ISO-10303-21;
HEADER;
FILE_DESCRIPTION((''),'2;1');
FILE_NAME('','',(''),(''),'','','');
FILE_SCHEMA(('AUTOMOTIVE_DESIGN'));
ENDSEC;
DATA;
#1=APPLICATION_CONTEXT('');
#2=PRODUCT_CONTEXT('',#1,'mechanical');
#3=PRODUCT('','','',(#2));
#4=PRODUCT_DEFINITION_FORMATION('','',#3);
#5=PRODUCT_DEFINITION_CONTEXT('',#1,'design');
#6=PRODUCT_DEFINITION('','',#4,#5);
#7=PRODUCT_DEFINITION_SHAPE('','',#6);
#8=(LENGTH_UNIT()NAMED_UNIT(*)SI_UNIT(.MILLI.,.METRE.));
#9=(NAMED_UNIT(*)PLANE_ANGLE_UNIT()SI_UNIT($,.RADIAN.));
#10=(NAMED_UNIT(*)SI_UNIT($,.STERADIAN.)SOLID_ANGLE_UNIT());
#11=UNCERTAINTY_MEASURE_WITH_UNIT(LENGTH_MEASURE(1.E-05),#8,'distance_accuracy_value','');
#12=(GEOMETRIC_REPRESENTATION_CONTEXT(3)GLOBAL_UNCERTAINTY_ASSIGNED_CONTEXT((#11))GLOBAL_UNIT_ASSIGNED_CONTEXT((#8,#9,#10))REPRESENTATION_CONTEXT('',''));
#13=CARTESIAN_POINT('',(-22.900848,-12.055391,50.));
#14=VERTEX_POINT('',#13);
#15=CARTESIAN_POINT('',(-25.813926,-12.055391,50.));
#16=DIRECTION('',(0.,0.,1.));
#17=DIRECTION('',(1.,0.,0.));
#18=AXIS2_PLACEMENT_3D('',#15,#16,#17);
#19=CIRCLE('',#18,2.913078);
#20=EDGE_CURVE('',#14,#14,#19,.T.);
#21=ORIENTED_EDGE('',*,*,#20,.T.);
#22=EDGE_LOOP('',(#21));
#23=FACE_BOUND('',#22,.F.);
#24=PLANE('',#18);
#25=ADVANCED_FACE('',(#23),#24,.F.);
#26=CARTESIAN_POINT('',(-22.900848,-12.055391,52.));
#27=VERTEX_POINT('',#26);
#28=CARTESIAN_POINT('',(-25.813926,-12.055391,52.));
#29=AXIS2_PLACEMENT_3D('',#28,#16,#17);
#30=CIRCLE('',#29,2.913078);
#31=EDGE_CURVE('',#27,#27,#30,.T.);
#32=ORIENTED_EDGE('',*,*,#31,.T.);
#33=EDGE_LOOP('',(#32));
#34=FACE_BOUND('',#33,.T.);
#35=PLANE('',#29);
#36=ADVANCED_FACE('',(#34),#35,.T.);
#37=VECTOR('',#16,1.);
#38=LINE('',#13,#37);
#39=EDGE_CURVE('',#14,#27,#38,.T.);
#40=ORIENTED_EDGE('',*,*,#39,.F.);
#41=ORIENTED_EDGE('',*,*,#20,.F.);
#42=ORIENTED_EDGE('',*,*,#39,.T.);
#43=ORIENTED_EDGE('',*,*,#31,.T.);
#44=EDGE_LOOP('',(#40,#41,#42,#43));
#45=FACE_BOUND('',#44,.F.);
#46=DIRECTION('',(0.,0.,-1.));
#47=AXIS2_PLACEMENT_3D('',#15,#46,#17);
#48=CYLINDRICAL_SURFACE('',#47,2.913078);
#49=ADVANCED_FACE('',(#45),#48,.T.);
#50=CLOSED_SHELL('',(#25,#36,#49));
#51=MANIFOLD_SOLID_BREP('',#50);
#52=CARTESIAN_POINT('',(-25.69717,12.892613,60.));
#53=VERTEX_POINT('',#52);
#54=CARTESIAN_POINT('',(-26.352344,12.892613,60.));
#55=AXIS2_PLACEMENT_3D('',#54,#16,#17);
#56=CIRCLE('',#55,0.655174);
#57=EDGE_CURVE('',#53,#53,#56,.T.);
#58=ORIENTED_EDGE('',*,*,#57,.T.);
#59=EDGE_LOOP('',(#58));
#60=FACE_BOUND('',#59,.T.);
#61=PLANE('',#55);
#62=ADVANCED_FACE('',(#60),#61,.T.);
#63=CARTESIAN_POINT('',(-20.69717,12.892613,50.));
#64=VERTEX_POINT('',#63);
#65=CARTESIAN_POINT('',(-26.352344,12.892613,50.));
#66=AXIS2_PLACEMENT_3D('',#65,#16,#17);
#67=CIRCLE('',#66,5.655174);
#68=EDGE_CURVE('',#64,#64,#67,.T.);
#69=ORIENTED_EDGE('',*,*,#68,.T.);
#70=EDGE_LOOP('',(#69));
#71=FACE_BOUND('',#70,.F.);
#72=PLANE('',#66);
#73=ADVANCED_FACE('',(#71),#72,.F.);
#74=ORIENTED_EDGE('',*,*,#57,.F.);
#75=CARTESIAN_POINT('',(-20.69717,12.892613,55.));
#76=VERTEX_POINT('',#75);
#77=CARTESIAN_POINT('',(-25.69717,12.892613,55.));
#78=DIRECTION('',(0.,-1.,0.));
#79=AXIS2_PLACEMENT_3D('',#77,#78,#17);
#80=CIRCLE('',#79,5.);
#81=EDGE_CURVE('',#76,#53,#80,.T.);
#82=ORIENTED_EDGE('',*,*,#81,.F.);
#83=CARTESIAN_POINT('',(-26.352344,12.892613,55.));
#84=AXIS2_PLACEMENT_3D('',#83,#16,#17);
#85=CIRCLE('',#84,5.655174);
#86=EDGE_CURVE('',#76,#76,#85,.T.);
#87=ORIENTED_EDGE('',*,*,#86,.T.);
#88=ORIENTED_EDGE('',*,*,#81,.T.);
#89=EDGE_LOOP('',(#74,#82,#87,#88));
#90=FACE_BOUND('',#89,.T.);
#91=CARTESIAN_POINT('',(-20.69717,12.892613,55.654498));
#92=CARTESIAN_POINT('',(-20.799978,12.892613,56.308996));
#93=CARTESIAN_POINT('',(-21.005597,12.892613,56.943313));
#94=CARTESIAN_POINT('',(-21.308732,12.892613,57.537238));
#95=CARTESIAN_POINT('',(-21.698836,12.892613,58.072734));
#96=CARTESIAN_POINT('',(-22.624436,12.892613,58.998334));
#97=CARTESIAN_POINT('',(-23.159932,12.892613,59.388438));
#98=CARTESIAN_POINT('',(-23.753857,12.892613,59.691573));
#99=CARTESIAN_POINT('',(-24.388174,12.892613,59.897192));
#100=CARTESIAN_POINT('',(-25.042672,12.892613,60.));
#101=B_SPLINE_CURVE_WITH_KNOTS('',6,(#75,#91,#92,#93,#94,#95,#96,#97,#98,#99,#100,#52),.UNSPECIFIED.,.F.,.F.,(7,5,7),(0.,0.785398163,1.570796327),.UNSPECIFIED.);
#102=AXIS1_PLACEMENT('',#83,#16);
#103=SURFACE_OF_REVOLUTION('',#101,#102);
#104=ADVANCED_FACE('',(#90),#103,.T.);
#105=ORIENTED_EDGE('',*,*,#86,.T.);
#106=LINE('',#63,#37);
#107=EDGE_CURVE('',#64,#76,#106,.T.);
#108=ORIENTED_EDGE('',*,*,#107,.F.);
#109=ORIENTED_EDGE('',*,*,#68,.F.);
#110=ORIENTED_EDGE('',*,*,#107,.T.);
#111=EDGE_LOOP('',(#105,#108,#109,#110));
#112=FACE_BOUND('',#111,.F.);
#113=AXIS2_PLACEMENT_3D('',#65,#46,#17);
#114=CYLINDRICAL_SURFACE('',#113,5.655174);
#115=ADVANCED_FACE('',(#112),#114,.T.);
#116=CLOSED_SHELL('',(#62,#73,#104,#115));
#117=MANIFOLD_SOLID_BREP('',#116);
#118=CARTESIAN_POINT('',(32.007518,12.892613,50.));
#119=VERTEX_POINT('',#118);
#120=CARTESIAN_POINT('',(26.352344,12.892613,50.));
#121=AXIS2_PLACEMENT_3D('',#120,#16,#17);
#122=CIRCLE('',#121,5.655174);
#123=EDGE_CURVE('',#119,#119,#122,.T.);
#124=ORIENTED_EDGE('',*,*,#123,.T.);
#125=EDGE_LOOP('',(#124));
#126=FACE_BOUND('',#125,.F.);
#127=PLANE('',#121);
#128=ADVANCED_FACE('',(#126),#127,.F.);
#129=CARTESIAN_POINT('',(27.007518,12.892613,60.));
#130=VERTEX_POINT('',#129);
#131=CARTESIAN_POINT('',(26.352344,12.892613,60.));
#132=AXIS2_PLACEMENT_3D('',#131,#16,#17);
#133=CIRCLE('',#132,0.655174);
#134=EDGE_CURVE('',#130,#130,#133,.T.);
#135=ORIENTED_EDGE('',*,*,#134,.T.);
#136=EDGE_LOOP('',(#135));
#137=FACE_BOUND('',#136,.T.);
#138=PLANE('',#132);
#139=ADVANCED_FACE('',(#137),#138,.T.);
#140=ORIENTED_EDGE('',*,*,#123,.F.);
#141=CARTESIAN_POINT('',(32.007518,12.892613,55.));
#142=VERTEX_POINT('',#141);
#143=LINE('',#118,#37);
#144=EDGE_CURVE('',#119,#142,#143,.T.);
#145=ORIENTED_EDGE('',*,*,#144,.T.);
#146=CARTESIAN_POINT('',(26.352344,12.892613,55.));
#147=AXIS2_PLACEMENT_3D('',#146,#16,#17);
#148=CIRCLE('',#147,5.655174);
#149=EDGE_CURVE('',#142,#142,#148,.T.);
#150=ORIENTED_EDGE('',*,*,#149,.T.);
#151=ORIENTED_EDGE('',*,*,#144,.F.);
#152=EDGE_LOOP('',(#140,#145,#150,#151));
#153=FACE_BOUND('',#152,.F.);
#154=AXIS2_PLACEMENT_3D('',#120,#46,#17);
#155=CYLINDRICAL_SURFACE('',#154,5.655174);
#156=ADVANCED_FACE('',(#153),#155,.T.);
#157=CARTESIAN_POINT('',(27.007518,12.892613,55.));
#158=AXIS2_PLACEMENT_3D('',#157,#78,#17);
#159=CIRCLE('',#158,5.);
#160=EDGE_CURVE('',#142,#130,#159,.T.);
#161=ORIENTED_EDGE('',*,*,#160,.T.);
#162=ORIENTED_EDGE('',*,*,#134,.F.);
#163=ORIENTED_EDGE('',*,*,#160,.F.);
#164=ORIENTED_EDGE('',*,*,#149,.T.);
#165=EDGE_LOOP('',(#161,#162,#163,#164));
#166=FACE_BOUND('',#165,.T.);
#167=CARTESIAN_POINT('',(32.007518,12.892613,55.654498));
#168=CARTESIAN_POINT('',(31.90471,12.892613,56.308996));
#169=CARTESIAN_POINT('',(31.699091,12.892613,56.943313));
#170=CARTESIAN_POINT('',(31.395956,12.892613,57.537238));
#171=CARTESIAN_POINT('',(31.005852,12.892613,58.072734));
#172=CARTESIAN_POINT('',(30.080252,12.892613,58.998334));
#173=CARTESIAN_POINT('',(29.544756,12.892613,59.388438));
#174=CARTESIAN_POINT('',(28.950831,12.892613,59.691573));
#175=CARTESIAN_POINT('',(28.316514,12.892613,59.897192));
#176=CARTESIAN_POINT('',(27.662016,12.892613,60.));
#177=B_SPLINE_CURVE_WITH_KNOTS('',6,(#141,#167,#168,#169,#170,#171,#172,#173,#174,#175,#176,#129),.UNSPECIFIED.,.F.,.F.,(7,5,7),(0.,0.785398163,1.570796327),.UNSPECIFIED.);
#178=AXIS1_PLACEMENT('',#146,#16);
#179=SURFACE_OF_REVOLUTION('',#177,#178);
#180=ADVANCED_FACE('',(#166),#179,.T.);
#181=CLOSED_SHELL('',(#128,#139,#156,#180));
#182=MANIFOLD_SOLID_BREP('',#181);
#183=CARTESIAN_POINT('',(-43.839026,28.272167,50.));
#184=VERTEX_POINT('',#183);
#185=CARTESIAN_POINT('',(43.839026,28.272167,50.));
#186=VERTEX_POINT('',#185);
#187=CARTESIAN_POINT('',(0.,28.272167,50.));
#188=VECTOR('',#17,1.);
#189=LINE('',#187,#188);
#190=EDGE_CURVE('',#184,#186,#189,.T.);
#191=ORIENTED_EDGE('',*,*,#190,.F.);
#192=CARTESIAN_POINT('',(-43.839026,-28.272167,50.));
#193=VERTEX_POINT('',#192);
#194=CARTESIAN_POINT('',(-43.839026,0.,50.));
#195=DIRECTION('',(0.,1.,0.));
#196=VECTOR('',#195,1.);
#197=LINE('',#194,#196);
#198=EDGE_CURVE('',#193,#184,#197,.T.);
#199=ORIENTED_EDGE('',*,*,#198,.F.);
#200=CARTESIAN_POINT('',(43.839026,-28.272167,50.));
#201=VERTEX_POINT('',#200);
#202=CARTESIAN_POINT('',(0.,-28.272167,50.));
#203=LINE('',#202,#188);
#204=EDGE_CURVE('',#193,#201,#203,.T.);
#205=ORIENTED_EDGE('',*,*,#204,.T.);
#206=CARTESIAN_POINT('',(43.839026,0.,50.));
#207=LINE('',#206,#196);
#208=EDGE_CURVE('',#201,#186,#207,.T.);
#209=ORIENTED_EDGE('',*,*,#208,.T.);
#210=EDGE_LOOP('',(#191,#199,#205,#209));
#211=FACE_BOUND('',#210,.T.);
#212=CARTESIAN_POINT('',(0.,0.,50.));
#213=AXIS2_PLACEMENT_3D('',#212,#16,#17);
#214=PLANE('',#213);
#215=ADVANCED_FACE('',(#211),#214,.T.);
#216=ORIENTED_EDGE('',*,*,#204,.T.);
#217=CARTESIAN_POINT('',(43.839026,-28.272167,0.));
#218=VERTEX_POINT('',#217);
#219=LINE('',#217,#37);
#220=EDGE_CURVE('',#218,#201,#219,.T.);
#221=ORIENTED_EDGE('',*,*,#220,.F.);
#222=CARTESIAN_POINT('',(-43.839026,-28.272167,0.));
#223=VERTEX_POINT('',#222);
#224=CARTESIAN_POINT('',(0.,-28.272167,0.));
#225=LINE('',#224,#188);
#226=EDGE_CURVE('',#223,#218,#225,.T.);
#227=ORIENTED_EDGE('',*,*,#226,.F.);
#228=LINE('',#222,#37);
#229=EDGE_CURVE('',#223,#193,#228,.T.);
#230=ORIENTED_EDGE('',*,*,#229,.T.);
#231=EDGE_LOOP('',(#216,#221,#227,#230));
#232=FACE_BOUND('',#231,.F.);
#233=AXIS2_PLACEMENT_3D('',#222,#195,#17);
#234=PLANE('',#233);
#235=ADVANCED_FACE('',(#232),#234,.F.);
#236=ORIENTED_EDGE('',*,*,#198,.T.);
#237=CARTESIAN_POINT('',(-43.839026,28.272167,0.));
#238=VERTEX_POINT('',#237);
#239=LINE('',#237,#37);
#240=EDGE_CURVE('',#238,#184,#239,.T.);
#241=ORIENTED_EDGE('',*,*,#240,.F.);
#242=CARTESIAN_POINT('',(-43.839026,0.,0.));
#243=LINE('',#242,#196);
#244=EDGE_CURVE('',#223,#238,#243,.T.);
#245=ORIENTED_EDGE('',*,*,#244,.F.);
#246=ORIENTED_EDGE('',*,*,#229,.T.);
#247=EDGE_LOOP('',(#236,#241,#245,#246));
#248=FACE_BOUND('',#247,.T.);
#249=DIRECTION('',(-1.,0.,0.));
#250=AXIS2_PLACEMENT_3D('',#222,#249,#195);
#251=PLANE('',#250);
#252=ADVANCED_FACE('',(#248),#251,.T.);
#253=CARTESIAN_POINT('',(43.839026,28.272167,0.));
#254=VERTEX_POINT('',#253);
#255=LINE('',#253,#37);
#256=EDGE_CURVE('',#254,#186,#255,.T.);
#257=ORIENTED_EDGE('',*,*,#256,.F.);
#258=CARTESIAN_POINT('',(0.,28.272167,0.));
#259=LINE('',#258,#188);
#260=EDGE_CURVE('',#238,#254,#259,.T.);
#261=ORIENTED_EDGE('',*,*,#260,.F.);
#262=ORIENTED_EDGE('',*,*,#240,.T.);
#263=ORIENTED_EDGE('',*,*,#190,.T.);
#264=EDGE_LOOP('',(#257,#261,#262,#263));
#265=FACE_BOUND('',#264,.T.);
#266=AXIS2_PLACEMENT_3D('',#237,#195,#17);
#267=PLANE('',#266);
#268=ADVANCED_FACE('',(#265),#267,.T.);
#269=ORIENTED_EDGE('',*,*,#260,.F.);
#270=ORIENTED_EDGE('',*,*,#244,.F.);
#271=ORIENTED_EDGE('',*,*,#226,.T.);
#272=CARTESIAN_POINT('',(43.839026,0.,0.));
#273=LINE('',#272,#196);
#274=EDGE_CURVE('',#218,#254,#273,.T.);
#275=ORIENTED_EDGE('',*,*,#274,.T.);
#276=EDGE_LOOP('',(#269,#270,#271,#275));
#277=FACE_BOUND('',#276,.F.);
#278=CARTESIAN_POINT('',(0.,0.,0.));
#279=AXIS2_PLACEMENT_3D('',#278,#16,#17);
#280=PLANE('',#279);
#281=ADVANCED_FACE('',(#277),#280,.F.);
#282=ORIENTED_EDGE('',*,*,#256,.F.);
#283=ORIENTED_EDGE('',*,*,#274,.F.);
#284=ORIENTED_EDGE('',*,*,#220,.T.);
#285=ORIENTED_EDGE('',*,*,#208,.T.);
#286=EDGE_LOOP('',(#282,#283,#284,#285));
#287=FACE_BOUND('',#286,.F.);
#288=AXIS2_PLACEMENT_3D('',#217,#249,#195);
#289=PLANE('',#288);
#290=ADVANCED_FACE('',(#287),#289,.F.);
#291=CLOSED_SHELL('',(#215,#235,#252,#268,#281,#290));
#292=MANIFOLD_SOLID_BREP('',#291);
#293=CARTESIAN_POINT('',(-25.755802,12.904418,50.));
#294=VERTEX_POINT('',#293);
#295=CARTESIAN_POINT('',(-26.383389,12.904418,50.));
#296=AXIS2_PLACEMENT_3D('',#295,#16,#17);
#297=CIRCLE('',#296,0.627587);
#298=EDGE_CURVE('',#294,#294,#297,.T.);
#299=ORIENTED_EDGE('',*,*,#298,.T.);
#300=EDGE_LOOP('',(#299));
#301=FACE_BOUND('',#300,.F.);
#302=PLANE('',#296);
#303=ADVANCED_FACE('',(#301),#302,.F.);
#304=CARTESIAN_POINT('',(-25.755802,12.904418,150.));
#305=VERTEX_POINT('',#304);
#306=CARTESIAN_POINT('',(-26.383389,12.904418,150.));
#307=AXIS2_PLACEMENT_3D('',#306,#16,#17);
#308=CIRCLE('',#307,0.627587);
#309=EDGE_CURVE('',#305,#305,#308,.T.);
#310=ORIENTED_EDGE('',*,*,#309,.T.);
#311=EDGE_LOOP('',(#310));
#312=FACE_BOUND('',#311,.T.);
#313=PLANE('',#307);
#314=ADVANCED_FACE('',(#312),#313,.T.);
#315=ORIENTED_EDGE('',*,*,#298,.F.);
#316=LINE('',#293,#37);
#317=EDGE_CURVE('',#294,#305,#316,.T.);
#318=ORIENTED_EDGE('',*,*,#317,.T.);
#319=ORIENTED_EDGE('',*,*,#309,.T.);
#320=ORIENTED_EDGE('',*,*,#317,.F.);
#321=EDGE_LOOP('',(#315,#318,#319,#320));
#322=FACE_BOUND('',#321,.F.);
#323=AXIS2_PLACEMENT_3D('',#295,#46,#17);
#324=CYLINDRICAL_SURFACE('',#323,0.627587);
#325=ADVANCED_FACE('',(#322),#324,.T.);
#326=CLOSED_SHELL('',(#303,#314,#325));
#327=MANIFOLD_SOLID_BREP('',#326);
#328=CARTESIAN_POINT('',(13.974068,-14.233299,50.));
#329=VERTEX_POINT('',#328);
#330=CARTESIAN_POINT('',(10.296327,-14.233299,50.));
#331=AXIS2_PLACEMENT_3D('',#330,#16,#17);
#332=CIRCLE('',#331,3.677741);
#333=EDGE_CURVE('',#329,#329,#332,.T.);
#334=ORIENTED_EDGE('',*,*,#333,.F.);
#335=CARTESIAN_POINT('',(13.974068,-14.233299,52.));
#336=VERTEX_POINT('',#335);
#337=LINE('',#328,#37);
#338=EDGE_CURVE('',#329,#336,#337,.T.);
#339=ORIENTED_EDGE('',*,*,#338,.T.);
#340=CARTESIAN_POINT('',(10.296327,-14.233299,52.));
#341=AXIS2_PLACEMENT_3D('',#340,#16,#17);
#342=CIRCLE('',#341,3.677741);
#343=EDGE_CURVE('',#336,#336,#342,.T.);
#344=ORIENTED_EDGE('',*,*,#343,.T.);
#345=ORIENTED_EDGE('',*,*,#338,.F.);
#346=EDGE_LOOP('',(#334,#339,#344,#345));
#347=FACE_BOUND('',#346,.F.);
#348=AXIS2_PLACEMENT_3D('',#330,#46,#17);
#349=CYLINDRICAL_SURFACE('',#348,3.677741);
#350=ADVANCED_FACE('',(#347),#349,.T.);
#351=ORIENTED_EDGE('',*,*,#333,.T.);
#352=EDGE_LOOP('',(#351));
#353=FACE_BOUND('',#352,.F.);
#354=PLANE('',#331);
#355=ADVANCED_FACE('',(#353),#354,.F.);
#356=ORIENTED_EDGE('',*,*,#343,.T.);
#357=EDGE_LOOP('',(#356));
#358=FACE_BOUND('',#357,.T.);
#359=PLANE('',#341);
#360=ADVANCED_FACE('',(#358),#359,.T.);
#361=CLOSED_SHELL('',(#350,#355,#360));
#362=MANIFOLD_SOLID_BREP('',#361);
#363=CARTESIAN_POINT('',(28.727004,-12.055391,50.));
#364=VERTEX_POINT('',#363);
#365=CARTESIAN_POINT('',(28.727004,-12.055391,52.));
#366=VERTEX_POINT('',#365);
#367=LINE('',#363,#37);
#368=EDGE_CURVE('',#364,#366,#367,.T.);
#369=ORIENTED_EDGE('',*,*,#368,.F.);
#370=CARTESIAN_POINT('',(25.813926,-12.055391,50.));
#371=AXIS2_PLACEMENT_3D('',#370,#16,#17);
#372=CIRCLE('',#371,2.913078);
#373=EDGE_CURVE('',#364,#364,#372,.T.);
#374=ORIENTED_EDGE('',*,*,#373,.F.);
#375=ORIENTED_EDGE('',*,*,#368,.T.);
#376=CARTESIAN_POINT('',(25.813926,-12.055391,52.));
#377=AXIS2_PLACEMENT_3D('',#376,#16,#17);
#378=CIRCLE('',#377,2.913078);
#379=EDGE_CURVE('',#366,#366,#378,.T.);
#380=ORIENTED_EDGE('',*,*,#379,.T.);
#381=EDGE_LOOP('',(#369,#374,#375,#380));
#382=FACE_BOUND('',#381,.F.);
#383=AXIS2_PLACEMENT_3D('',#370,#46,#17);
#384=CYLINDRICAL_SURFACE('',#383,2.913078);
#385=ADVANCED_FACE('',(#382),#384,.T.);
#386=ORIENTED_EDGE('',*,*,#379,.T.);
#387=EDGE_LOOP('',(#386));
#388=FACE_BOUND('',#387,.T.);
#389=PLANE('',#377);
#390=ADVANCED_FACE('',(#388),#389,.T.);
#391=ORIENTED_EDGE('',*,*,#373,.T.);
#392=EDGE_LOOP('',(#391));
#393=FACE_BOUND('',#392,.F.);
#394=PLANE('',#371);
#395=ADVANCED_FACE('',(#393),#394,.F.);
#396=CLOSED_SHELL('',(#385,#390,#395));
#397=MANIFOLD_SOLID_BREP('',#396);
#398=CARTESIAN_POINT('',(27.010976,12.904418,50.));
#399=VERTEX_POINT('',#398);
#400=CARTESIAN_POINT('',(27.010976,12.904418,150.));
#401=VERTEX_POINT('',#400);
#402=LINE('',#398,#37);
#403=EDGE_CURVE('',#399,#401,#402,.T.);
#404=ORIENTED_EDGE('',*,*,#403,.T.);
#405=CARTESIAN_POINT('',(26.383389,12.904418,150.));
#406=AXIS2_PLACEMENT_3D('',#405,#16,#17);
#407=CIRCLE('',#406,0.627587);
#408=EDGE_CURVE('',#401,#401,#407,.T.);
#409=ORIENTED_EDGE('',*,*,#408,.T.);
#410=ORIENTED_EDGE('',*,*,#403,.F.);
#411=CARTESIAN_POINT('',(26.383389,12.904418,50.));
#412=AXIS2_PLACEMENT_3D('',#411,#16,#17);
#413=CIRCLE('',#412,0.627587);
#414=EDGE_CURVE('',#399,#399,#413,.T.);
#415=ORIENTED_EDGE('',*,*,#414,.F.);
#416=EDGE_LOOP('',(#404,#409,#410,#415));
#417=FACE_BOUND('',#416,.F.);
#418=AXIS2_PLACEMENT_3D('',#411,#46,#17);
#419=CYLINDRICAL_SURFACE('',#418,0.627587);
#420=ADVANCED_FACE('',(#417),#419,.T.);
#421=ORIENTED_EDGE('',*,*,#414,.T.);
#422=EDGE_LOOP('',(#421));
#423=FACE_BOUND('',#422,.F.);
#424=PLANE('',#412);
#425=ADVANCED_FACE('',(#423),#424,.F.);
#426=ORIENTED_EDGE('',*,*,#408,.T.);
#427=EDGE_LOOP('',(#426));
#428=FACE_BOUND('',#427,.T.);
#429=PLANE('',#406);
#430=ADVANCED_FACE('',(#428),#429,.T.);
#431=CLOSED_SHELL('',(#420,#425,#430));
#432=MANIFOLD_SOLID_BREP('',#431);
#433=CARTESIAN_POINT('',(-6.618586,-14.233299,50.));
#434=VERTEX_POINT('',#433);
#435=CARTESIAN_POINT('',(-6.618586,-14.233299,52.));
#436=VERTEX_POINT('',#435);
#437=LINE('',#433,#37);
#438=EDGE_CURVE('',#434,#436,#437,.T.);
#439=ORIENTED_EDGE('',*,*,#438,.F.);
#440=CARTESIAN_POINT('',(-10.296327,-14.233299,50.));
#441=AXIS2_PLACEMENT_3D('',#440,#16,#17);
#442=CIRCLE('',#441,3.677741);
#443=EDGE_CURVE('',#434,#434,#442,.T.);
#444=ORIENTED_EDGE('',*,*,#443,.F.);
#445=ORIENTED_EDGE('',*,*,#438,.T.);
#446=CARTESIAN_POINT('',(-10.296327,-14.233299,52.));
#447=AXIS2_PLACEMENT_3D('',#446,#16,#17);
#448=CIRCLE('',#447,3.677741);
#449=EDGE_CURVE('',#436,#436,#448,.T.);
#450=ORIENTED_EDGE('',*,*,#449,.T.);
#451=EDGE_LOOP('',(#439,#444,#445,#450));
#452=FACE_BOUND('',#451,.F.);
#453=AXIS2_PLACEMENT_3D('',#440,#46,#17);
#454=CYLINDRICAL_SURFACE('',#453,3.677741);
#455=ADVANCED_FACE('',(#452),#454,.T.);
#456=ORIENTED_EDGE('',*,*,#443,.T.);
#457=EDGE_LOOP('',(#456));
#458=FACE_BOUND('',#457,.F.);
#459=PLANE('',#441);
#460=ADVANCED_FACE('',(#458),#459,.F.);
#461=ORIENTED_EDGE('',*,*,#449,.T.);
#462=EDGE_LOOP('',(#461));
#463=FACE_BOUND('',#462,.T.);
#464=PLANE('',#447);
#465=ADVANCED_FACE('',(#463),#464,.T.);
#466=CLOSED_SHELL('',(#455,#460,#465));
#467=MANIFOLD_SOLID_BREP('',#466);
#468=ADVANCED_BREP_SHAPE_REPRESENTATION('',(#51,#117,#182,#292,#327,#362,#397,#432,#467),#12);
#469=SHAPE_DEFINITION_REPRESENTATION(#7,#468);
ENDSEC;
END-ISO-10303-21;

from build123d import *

# Parameters (mm, degrees)
F0_W     = 87.678052
F0_H     = 56.544334
F1_DEPTH = 50
F2_R     = 5.655174
F3_DEPTH = 10
F4_R     = 2.913078
F4_R_2   = 3.677741
F5_DEPTH = 2
F6_R     = 5
F7_R     = 0.627587
F8_DEPTH = 100


with BuildPart() as f1:
    # F0 (on Top) → F1 (new body)
    with BuildSketch(Plane.XY):
        Rectangle(F0_W, F0_H)
    extrude(amount=F1_DEPTH)


with BuildPart() as f3:
    # F2 (on face) → F3 (new body)
    with BuildSketch(Plane.XY.offset(50)):
        with Locations((-26.352344, 12.892613)):
            Circle(F2_R)
        with Locations((26.352344, 12.892613)):
            Circle(F2_R)
    extrude(amount=F3_DEPTH)

    # F6
    f6_edges = [f3.edges().sort_by_distance(p)[0] for p in [
        (20.69717, 12.892613, 60),
        (-32.007518, 12.892613, 60),
    ]]
    fillet(f6_edges, radius=F6_R)


with BuildPart() as f5:
    # F4 (on face) → F5 (new body)
    with BuildSketch(Plane.XY.offset(50)):
        with Locations((-25.813926, -12.055391)):
            Circle(F4_R)
        with Locations((-10.296327, -14.233299)):
            Circle(F4_R_2)
        with Locations((10.296327, -14.233299)):
            Circle(F4_R_2)
        with Locations((25.813926, -12.055391)):
            Circle(F4_R)
    extrude(amount=F5_DEPTH)


with BuildPart() as f8:
    # F7 (on face) → F8 (new body)
    with BuildSketch(Plane.XY.offset(50)):
        with Locations((-26.383389, 12.904418)):
            Circle(F7_R)
        with Locations((26.383389, 12.904418)):
            Circle(F7_R)
    extrude(amount=F8_DEPTH)


solid = Compound([f1.part, f3.part, f5.part, f8.part])
